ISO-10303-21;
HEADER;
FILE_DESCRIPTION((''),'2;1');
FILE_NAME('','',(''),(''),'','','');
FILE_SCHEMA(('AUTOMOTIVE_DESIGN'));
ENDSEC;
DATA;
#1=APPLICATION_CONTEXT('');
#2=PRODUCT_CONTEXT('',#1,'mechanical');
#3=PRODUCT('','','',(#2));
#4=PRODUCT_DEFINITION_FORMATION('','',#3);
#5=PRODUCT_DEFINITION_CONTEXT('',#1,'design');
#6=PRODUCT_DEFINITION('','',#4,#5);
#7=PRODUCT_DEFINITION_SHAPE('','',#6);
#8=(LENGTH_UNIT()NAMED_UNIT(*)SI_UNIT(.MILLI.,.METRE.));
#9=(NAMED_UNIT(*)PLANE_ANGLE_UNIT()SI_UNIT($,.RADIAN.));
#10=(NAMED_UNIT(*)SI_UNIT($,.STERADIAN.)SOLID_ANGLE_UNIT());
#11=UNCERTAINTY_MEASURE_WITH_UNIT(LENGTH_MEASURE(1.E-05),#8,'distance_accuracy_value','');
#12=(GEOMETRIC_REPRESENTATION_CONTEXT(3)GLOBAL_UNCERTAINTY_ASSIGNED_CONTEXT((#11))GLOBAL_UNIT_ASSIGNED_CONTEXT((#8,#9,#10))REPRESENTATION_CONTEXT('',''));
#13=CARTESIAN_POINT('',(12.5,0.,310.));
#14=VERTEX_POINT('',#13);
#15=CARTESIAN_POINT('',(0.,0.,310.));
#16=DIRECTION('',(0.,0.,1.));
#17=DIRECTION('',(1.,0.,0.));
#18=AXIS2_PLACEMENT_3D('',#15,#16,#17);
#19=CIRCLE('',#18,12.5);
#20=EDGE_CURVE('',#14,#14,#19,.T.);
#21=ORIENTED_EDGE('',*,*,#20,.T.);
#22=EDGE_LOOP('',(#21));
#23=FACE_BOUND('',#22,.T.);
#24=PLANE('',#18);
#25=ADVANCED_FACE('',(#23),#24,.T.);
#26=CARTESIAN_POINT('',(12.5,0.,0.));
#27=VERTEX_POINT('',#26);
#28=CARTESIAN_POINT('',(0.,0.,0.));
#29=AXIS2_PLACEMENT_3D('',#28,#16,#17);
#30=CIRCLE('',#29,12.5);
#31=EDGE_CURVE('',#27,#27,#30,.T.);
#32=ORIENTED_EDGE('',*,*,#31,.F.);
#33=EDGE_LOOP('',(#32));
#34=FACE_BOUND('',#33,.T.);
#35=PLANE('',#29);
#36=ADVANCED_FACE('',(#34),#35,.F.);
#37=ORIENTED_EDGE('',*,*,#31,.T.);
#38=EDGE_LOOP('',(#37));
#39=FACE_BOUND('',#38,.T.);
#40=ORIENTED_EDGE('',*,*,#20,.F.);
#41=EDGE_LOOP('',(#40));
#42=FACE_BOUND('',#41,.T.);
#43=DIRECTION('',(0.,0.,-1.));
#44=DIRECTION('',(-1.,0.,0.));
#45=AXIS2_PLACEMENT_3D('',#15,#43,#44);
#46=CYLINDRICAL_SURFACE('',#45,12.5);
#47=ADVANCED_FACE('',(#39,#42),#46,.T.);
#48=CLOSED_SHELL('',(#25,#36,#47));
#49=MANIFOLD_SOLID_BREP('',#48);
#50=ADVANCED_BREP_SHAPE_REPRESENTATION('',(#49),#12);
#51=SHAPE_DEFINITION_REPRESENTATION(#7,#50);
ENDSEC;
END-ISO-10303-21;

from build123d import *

# Parameters (mm, degrees)
ESQUISSE1_R        = 12.5
BOSS_EXTRU_1_DEPTH = 310


with BuildPart() as part:
    # Esquisse1 → Boss.-Extru.1 (new body)
    with BuildSketch(Plane.XY):
        Circle(ESQUISSE1_R)
    extrude(amount=BOSS_EXTRU_1_DEPTH)


solid = part.part
